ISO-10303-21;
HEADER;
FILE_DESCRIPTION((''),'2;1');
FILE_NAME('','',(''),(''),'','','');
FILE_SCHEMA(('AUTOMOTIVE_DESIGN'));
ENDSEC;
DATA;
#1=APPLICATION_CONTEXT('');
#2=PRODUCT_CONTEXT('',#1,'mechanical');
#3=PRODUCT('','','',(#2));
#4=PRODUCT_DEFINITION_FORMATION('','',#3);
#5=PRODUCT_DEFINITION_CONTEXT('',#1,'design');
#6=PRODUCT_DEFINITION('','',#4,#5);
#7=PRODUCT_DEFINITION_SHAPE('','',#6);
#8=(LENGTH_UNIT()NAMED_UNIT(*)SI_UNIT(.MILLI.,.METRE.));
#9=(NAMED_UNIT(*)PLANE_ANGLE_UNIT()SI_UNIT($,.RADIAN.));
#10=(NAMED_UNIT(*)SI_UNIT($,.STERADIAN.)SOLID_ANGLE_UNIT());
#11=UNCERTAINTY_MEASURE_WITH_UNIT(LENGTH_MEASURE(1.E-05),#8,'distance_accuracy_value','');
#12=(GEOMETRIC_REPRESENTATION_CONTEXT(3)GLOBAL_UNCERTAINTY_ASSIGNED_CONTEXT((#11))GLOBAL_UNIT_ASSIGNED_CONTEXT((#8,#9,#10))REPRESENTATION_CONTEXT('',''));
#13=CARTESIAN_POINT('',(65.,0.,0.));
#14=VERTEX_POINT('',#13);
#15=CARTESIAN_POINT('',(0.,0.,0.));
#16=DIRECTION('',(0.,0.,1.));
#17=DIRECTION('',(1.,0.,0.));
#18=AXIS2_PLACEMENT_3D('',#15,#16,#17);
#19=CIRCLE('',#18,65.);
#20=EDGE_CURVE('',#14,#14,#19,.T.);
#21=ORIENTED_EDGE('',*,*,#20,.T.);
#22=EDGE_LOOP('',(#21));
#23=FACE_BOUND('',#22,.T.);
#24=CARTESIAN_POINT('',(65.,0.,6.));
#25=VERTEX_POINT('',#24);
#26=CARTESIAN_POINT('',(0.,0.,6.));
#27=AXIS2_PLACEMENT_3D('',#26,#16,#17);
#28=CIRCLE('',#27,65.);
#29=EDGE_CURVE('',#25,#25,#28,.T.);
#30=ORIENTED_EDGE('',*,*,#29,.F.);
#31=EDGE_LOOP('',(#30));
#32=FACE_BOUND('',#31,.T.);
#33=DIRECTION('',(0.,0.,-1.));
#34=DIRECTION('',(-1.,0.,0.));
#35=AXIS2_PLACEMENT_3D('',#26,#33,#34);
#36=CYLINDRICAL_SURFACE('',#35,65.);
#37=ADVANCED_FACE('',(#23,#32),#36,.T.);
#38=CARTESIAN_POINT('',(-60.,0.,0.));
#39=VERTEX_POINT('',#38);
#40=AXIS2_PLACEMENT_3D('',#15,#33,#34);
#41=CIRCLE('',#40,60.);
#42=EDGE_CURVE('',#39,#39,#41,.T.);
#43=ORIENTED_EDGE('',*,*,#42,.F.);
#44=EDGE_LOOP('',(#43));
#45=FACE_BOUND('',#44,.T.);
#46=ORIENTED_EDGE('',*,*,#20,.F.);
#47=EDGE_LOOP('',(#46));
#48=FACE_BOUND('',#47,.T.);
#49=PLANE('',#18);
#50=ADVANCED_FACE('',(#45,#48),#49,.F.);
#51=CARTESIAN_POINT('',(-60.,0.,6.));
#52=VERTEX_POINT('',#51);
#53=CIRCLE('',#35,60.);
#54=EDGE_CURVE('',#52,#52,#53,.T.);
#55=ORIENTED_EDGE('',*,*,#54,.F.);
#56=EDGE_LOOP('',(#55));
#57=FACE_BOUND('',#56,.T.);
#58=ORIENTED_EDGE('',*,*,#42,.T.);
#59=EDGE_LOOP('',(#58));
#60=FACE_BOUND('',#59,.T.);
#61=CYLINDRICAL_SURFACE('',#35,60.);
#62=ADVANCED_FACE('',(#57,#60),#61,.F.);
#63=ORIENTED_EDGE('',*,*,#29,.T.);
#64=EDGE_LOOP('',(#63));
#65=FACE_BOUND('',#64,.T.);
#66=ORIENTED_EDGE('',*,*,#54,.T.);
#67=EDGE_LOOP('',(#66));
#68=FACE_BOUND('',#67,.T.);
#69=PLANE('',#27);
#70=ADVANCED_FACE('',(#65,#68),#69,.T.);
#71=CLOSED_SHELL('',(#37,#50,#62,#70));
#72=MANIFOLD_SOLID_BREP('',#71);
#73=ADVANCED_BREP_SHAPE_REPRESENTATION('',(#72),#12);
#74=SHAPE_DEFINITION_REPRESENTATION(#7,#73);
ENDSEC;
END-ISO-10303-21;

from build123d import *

# Parameters (mm, degrees)
SKETCH1_R           = 65
BOSS_EXTRUDE1_DEPTH = 6
SKETCH2_R           = 60
CUT_EXTRUDE1_DEPTH  = 7


with BuildPart() as part:
    # Sketch1 → Boss-Extrude1 (new body)
    with BuildSketch(Plane.XY):
        Circle(SKETCH1_R)
    extrude(amount=BOSS_EXTRUDE1_DEPTH)

    # Sketch2 → Cut-Extrude1 (cut, through all)
    with BuildSketch(Plane(origin=(0, 0, 0), x_dir=(-1, 0, 0), z_dir=(0, 0, -1))):
        Circle(SKETCH2_R)
    extrude(amount=-CUT_EXTRUDE1_DEPTH, mode=Mode.SUBTRACT)


solid = part.part
